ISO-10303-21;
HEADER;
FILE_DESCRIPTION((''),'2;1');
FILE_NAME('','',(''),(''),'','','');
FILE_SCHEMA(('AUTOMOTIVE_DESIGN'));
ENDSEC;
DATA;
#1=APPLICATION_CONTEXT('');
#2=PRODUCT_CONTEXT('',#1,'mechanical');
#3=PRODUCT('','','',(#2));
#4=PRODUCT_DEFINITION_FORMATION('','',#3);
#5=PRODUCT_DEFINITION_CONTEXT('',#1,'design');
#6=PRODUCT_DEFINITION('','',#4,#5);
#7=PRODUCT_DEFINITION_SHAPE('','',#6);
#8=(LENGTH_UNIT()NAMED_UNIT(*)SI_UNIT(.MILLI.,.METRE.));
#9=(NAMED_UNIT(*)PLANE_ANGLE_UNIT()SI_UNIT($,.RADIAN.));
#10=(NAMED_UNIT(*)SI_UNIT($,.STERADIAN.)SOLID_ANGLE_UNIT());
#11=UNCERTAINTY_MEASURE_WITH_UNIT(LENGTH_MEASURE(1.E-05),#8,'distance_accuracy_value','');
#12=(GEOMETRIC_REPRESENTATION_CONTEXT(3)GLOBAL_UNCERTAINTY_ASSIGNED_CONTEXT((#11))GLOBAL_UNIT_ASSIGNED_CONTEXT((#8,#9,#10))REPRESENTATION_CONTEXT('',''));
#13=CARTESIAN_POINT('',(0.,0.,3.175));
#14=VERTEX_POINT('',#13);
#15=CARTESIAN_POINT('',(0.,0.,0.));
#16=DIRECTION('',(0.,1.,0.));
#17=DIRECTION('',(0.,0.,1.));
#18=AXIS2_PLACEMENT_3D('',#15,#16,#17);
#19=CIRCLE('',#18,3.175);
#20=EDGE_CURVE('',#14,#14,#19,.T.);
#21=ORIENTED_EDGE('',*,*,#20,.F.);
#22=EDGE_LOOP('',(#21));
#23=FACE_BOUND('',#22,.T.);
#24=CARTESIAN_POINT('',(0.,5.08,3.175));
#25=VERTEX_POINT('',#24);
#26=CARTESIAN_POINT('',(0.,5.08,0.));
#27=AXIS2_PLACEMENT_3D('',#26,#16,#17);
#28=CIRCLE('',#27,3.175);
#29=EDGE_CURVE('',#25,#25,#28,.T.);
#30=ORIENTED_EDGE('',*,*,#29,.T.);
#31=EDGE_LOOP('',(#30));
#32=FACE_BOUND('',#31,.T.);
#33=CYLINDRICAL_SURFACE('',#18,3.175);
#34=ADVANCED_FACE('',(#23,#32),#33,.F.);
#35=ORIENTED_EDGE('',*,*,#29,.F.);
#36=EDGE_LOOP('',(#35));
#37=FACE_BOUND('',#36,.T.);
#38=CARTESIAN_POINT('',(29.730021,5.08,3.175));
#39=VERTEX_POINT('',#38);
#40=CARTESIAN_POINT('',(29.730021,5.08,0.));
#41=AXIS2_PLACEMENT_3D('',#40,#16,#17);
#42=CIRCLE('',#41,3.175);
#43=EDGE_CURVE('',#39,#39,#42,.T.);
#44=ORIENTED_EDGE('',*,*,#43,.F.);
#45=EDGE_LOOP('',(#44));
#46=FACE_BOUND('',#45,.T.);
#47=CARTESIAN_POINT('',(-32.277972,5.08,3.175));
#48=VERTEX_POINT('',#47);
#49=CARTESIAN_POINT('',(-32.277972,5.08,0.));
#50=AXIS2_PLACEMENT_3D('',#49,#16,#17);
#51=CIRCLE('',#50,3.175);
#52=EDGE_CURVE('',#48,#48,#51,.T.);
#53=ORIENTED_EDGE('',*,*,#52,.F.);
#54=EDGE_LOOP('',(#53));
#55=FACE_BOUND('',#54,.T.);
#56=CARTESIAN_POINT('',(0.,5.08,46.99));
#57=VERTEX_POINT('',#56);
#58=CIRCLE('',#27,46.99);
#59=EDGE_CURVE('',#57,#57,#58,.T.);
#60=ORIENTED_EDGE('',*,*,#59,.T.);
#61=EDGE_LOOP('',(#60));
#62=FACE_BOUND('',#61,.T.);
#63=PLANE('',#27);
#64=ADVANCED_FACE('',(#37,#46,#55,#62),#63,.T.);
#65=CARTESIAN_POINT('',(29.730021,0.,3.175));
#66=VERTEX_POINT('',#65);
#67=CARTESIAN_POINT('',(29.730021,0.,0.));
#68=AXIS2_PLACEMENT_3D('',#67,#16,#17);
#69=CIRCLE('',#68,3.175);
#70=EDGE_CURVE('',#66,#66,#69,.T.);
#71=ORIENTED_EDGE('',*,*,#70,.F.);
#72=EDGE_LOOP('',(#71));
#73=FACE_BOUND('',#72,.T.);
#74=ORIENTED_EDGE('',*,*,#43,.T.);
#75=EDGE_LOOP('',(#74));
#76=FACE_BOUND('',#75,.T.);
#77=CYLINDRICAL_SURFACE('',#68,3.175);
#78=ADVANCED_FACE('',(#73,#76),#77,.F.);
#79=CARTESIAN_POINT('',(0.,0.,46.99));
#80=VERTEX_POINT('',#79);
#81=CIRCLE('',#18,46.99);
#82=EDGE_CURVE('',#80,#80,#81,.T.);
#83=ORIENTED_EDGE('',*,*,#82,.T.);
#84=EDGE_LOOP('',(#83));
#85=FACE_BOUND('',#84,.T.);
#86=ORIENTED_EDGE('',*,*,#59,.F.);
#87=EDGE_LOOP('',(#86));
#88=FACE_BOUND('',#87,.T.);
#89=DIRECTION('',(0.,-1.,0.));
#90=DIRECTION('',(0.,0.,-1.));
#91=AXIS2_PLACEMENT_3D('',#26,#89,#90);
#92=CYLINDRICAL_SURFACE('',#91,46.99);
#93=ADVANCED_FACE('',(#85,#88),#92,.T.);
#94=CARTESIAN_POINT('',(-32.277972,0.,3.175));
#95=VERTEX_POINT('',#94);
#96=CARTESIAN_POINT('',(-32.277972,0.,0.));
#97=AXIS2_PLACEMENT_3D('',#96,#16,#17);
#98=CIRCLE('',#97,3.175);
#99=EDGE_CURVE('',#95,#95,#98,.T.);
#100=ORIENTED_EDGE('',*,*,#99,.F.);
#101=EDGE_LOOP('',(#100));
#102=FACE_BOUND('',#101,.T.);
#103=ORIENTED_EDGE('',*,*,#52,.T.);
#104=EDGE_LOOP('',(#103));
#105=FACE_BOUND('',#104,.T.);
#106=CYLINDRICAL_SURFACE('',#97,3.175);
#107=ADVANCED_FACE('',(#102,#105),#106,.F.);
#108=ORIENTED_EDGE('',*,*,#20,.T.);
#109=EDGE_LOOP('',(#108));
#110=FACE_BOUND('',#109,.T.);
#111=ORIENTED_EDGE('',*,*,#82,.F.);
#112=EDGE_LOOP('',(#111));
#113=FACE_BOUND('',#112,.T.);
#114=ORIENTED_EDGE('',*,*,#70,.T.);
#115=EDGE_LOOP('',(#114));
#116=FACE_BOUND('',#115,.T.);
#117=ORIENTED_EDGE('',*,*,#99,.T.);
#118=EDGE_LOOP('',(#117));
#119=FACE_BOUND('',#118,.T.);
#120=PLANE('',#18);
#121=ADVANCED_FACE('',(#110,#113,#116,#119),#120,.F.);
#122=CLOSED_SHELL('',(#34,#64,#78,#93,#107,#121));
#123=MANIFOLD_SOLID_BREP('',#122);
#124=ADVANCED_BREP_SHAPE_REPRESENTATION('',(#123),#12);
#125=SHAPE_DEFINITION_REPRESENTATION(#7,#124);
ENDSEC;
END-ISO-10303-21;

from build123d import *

# Parameters (mm, degrees)
SKETCH1_R           = 46.99
BOSS_EXTRUDE1_DEPTH = 5.08
SKETCH2_R           = 3.175
CUT_EXTRUDE1_DEPTH  = 67.647780158


with BuildPart() as part:
    # Sketch1 → Boss-Extrude1 (new body)
    with BuildSketch(Plane(origin=(0, 0, 0), x_dir=(1, 0, 0), z_dir=(0, 1, 0))):
        with Locations(Location((0, 0, 0), (0, 0, 270))):
            Circle(SKETCH1_R)
    extrude(amount=BOSS_EXTRUDE1_DEPTH)

    # Sketch2 → Cut-Extrude1 (cut, through all)
    with BuildSketch(Plane(origin=(0, 5.08, 0), x_dir=(1, 0, 0), z_dir=(0, 1, 0))):
        with Locations(Location((-32.277971852, 0, 0), (0, 0, 270))):
            Circle(SKETCH2_R)
        with Locations(Location((0, 0, 0), (0, 0, 270))):
            Circle(SKETCH2_R)
        with Locations(Location((29.730021339, 0, 0), (0, 0, 270))):
            Circle(SKETCH2_R)
    extrude(amount=-CUT_EXTRUDE1_DEPTH, mode=Mode.SUBTRACT)


solid = part.part
